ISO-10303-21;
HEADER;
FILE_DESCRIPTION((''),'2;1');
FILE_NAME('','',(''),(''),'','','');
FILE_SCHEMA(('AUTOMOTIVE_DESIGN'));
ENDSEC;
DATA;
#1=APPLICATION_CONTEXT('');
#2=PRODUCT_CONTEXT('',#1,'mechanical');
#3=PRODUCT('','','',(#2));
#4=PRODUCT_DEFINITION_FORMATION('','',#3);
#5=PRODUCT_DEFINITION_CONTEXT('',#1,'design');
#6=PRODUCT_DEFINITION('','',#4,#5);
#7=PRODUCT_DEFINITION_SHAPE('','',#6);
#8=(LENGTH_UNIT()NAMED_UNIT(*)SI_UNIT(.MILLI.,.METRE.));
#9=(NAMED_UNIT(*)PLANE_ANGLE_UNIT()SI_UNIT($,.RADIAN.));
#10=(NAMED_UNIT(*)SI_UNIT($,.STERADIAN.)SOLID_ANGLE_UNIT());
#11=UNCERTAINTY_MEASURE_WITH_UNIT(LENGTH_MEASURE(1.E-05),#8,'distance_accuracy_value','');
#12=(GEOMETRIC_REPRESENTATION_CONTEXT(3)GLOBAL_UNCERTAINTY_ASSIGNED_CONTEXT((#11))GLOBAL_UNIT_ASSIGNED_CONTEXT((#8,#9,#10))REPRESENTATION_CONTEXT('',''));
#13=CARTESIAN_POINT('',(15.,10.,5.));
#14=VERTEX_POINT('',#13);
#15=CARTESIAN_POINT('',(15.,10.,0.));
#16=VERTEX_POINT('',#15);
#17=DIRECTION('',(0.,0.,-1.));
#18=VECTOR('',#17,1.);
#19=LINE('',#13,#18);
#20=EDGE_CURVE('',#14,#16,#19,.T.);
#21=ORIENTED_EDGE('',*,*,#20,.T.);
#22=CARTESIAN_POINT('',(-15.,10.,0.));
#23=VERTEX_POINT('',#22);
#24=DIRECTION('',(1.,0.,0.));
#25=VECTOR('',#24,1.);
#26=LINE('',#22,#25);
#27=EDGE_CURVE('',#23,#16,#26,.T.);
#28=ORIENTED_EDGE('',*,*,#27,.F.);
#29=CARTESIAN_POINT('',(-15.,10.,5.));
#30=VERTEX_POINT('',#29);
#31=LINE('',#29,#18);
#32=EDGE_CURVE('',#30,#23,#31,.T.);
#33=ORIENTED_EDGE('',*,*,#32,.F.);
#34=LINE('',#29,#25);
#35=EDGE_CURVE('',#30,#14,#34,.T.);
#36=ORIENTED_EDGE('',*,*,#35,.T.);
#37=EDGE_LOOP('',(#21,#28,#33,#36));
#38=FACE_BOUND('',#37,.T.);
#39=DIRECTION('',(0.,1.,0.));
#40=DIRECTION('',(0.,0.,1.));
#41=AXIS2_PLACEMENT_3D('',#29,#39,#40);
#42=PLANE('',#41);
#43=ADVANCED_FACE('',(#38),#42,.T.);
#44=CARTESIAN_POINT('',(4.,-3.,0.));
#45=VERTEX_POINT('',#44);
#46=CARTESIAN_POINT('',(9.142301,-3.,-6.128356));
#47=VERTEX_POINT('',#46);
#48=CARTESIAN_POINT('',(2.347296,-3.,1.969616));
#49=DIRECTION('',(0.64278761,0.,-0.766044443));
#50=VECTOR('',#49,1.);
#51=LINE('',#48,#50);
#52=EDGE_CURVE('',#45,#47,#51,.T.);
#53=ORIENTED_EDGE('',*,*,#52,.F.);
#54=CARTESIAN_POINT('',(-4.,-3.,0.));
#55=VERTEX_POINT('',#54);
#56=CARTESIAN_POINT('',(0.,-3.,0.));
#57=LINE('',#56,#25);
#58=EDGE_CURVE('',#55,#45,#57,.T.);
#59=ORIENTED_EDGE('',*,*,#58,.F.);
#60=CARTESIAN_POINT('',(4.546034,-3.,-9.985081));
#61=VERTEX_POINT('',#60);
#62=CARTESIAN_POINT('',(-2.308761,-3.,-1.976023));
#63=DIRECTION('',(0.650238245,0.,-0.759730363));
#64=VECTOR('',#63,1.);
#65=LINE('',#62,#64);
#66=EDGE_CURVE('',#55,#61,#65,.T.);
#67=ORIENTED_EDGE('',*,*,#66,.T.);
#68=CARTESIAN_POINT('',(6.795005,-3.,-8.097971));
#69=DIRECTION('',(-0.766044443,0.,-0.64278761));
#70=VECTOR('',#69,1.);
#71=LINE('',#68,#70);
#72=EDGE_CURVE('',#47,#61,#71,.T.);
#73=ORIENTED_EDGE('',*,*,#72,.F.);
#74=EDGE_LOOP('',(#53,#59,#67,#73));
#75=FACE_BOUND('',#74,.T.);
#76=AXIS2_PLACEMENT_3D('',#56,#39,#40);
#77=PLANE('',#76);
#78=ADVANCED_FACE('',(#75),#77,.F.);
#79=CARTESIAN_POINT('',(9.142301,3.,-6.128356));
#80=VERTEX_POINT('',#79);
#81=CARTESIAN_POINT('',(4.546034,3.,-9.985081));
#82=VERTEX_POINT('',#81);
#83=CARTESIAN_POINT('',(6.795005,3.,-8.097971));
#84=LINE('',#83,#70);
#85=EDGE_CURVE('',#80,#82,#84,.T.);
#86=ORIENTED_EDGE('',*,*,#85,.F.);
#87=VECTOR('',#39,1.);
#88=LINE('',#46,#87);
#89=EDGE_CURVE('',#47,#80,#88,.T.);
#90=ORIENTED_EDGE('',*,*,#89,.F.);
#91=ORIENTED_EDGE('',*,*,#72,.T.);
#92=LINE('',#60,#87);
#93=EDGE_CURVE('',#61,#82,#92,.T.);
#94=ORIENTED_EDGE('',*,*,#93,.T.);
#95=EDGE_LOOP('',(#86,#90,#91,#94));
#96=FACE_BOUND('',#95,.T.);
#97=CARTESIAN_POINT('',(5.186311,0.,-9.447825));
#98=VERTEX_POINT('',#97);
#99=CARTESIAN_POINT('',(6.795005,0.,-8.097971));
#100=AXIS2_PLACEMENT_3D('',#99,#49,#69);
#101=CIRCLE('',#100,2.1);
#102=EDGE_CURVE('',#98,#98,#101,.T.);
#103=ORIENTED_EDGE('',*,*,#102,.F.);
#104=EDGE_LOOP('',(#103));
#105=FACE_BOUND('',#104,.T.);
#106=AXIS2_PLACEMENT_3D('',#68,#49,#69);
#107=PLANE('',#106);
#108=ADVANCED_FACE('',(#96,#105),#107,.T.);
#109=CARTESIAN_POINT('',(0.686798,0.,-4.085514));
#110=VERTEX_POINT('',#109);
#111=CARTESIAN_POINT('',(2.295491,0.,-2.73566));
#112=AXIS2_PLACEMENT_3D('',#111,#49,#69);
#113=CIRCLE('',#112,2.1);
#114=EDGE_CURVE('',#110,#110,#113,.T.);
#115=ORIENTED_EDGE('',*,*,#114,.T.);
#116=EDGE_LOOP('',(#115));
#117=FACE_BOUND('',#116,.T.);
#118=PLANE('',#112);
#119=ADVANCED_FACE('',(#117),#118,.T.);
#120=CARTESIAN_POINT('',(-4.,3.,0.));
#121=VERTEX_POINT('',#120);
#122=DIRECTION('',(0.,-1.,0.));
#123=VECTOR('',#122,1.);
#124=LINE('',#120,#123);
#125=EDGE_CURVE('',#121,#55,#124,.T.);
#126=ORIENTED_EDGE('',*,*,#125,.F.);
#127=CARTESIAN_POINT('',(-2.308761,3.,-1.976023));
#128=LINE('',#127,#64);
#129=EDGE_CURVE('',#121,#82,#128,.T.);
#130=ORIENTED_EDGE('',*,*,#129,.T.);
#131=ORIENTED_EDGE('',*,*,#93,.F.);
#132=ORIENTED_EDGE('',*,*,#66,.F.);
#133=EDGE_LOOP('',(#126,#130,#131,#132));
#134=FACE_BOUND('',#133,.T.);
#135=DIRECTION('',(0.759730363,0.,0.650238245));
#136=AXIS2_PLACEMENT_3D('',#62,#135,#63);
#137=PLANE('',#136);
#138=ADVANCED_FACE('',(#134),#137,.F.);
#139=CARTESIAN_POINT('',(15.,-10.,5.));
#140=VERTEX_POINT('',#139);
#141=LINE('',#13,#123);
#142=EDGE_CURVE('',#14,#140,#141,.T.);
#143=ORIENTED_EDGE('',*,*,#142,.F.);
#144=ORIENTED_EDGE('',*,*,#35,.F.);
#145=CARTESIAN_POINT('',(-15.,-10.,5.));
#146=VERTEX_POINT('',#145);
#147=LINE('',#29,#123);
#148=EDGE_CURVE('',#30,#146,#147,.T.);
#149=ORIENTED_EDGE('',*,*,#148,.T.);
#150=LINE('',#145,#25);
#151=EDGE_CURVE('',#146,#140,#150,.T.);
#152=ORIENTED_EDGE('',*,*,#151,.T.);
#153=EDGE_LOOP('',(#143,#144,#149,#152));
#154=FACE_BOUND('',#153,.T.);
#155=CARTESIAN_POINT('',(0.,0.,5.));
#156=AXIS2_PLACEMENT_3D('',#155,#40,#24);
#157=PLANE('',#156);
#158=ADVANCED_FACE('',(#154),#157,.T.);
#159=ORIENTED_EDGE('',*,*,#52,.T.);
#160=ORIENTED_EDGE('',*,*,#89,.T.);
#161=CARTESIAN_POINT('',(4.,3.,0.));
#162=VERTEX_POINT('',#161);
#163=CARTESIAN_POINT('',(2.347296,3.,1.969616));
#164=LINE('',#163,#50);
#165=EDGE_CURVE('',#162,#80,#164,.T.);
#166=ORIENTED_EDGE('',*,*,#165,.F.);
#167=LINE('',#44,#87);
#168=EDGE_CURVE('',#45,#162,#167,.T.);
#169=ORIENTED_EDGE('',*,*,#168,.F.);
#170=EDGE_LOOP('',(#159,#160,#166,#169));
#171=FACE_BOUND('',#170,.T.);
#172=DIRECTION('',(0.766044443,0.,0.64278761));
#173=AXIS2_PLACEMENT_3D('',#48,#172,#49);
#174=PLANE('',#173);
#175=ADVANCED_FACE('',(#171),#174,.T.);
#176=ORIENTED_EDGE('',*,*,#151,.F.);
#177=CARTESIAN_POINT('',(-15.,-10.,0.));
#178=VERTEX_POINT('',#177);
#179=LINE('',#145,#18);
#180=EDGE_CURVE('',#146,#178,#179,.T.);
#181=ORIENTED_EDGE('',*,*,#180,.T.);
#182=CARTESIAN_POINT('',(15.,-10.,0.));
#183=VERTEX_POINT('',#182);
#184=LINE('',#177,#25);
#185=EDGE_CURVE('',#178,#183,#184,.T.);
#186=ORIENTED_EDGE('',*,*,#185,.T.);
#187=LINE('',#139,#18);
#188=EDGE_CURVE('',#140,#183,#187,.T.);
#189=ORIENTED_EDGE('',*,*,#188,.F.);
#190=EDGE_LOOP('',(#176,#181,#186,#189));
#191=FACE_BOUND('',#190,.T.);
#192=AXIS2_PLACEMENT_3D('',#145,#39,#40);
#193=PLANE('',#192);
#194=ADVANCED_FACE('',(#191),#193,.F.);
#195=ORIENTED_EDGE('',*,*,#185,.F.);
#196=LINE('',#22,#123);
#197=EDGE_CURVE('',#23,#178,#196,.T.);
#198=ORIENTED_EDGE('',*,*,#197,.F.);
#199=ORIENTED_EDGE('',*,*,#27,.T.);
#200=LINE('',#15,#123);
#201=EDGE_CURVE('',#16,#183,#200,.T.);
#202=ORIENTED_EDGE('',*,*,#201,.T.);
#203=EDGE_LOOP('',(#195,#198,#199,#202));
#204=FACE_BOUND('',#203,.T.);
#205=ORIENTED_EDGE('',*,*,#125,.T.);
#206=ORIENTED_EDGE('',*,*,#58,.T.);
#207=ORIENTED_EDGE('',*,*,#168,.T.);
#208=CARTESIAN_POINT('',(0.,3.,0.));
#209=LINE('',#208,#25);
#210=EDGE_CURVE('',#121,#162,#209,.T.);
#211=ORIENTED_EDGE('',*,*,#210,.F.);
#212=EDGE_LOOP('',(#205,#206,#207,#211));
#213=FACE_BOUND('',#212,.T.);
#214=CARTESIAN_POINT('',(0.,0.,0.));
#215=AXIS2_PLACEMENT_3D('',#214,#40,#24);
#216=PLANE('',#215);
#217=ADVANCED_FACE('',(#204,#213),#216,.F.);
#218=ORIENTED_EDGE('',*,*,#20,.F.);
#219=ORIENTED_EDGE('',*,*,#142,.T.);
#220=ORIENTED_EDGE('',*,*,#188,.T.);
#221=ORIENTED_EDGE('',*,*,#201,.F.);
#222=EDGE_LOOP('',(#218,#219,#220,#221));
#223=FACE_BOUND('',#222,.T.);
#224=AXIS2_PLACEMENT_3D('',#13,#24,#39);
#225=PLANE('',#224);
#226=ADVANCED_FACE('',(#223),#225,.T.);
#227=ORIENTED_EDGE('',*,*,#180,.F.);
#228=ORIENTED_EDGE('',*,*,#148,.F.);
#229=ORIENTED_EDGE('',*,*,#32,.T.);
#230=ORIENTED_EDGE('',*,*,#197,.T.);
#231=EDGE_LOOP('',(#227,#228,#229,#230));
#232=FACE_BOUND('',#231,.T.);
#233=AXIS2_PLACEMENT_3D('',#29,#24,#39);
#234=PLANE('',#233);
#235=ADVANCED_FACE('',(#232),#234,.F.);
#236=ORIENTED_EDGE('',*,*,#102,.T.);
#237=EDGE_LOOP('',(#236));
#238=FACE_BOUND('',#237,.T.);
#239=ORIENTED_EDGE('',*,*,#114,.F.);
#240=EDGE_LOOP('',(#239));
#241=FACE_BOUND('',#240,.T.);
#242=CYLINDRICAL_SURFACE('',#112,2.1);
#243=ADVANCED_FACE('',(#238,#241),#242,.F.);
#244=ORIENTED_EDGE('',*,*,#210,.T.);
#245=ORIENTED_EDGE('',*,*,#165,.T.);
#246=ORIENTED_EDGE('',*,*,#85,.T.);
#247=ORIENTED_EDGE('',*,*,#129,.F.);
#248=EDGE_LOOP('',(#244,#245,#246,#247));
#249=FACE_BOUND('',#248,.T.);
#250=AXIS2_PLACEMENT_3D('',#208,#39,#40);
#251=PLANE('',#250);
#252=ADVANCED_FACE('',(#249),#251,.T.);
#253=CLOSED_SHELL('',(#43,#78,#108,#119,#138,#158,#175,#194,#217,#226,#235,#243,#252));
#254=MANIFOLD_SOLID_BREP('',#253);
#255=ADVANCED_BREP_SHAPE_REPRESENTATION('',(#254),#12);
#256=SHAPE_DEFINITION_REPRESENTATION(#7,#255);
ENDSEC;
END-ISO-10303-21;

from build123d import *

# Parameters (mm, degrees)
CROQUIS1_W                   = 30
CROQUIS1_H                   = 20
SALIENTE_EXTRUIR1_DEPTH      = 5
SALIENTE_EXTRUIR2_DEPTH      = 3
SALIENTE_EXTRUIR2_DEPTH_BACK = 3
CROQUIS4_R                   = 2.1
CORTAR_EXTRUIR1_DEPTH        = 7


with BuildPart() as part:
    # Croquis1 → Saliente-Extruir1 (new body)
    with BuildSketch(Plane.XY):
        Rectangle(CROQUIS1_W, CROQUIS1_H)
    extrude(amount=SALIENTE_EXTRUIR1_DEPTH)

    # Croquis3 → Saliente-Extruir2 (add, two sides)
    with BuildSketch(Plane(origin=(0, 0, 0), x_dir=(1, 0, 0), z_dir=(0, 1, 0))) as saliente_extruir2_sk:
        Polygon((-4, 0), (4, 0), (9.142300877, 6.128355545), (4.546034219, 9.985081203), align=None)
    extrude(amount=SALIENTE_EXTRUIR2_DEPTH)
    extrude(saliente_extruir2_sk.sketch, amount=-SALIENTE_EXTRUIR2_DEPTH_BACK)

    # Croquis4 → Cortar-Extruir1 (cut)
    with BuildSketch(Plane(origin=(6.795004522, 0, -8.097971051), x_dir=(-0.766044443, 0, -0.64278761), z_dir=(0.64278761, 0, -0.766044443))):
        Circle(CROQUIS4_R)
    extrude(amount=-CORTAR_EXTRUIR1_DEPTH, mode=Mode.SUBTRACT)


solid = part.part
